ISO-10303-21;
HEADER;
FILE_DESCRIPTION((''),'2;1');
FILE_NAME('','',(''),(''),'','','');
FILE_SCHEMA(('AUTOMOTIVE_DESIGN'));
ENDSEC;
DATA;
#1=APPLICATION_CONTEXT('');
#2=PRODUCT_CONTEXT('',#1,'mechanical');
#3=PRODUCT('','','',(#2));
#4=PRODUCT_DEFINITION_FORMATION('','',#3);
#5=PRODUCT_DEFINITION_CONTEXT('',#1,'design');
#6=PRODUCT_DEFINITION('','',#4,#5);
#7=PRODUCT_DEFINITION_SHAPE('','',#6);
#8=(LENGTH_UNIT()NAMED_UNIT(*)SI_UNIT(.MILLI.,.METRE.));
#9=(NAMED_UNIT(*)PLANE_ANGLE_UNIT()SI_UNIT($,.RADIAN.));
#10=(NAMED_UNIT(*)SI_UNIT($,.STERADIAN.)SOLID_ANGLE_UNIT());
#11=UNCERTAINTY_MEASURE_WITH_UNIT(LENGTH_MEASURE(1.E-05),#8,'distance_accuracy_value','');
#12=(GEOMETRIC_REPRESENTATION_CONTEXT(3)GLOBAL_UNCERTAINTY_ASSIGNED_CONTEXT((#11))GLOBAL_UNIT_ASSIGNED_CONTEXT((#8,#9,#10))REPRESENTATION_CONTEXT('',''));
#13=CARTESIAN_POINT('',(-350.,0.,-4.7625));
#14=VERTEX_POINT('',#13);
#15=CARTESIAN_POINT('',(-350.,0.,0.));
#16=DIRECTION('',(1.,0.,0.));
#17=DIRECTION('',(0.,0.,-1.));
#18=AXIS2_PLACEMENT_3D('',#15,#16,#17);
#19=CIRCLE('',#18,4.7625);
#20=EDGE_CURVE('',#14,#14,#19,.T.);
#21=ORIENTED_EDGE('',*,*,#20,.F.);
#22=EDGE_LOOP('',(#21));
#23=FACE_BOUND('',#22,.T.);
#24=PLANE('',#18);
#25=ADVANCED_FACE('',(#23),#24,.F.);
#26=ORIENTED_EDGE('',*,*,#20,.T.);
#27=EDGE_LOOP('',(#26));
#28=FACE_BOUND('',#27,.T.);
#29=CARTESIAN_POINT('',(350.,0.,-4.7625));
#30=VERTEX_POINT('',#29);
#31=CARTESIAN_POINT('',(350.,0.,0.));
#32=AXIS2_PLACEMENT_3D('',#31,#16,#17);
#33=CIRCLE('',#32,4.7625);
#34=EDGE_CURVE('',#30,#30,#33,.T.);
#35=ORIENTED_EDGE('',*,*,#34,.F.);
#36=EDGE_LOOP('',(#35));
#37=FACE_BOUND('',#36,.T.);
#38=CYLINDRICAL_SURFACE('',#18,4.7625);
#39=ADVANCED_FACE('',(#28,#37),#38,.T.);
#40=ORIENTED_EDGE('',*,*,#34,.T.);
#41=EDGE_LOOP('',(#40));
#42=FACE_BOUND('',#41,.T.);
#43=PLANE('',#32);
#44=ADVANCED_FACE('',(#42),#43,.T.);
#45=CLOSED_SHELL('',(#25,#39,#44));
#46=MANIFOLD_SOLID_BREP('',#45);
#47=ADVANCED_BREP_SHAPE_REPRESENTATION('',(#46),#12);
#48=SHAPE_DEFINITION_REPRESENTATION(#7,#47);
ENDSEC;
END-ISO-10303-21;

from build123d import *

# Parameters (mm, degrees)
SWEEP1_PROFILE_R = 4.7625


with BuildPart() as part:
    # Sweep1: sweep along a path in Sketch1
    with BuildLine(Plane(origin=(0, 0, 0), x_dir=(1, 0, 0), z_dir=(0, 1, 0))) as sweep1_path:
        Line((-350, 0), (350, 0))
    # Sweep1 profile (on start of the path) → Sweep1 (sweep)
    with BuildSketch(Plane(origin=(-350, 0, 0), x_dir=(0, 0, 1), z_dir=(1, 0, 0))):
        Circle(SWEEP1_PROFILE_R)
    sweep(path=sweep1_path.line)


solid = part.part
